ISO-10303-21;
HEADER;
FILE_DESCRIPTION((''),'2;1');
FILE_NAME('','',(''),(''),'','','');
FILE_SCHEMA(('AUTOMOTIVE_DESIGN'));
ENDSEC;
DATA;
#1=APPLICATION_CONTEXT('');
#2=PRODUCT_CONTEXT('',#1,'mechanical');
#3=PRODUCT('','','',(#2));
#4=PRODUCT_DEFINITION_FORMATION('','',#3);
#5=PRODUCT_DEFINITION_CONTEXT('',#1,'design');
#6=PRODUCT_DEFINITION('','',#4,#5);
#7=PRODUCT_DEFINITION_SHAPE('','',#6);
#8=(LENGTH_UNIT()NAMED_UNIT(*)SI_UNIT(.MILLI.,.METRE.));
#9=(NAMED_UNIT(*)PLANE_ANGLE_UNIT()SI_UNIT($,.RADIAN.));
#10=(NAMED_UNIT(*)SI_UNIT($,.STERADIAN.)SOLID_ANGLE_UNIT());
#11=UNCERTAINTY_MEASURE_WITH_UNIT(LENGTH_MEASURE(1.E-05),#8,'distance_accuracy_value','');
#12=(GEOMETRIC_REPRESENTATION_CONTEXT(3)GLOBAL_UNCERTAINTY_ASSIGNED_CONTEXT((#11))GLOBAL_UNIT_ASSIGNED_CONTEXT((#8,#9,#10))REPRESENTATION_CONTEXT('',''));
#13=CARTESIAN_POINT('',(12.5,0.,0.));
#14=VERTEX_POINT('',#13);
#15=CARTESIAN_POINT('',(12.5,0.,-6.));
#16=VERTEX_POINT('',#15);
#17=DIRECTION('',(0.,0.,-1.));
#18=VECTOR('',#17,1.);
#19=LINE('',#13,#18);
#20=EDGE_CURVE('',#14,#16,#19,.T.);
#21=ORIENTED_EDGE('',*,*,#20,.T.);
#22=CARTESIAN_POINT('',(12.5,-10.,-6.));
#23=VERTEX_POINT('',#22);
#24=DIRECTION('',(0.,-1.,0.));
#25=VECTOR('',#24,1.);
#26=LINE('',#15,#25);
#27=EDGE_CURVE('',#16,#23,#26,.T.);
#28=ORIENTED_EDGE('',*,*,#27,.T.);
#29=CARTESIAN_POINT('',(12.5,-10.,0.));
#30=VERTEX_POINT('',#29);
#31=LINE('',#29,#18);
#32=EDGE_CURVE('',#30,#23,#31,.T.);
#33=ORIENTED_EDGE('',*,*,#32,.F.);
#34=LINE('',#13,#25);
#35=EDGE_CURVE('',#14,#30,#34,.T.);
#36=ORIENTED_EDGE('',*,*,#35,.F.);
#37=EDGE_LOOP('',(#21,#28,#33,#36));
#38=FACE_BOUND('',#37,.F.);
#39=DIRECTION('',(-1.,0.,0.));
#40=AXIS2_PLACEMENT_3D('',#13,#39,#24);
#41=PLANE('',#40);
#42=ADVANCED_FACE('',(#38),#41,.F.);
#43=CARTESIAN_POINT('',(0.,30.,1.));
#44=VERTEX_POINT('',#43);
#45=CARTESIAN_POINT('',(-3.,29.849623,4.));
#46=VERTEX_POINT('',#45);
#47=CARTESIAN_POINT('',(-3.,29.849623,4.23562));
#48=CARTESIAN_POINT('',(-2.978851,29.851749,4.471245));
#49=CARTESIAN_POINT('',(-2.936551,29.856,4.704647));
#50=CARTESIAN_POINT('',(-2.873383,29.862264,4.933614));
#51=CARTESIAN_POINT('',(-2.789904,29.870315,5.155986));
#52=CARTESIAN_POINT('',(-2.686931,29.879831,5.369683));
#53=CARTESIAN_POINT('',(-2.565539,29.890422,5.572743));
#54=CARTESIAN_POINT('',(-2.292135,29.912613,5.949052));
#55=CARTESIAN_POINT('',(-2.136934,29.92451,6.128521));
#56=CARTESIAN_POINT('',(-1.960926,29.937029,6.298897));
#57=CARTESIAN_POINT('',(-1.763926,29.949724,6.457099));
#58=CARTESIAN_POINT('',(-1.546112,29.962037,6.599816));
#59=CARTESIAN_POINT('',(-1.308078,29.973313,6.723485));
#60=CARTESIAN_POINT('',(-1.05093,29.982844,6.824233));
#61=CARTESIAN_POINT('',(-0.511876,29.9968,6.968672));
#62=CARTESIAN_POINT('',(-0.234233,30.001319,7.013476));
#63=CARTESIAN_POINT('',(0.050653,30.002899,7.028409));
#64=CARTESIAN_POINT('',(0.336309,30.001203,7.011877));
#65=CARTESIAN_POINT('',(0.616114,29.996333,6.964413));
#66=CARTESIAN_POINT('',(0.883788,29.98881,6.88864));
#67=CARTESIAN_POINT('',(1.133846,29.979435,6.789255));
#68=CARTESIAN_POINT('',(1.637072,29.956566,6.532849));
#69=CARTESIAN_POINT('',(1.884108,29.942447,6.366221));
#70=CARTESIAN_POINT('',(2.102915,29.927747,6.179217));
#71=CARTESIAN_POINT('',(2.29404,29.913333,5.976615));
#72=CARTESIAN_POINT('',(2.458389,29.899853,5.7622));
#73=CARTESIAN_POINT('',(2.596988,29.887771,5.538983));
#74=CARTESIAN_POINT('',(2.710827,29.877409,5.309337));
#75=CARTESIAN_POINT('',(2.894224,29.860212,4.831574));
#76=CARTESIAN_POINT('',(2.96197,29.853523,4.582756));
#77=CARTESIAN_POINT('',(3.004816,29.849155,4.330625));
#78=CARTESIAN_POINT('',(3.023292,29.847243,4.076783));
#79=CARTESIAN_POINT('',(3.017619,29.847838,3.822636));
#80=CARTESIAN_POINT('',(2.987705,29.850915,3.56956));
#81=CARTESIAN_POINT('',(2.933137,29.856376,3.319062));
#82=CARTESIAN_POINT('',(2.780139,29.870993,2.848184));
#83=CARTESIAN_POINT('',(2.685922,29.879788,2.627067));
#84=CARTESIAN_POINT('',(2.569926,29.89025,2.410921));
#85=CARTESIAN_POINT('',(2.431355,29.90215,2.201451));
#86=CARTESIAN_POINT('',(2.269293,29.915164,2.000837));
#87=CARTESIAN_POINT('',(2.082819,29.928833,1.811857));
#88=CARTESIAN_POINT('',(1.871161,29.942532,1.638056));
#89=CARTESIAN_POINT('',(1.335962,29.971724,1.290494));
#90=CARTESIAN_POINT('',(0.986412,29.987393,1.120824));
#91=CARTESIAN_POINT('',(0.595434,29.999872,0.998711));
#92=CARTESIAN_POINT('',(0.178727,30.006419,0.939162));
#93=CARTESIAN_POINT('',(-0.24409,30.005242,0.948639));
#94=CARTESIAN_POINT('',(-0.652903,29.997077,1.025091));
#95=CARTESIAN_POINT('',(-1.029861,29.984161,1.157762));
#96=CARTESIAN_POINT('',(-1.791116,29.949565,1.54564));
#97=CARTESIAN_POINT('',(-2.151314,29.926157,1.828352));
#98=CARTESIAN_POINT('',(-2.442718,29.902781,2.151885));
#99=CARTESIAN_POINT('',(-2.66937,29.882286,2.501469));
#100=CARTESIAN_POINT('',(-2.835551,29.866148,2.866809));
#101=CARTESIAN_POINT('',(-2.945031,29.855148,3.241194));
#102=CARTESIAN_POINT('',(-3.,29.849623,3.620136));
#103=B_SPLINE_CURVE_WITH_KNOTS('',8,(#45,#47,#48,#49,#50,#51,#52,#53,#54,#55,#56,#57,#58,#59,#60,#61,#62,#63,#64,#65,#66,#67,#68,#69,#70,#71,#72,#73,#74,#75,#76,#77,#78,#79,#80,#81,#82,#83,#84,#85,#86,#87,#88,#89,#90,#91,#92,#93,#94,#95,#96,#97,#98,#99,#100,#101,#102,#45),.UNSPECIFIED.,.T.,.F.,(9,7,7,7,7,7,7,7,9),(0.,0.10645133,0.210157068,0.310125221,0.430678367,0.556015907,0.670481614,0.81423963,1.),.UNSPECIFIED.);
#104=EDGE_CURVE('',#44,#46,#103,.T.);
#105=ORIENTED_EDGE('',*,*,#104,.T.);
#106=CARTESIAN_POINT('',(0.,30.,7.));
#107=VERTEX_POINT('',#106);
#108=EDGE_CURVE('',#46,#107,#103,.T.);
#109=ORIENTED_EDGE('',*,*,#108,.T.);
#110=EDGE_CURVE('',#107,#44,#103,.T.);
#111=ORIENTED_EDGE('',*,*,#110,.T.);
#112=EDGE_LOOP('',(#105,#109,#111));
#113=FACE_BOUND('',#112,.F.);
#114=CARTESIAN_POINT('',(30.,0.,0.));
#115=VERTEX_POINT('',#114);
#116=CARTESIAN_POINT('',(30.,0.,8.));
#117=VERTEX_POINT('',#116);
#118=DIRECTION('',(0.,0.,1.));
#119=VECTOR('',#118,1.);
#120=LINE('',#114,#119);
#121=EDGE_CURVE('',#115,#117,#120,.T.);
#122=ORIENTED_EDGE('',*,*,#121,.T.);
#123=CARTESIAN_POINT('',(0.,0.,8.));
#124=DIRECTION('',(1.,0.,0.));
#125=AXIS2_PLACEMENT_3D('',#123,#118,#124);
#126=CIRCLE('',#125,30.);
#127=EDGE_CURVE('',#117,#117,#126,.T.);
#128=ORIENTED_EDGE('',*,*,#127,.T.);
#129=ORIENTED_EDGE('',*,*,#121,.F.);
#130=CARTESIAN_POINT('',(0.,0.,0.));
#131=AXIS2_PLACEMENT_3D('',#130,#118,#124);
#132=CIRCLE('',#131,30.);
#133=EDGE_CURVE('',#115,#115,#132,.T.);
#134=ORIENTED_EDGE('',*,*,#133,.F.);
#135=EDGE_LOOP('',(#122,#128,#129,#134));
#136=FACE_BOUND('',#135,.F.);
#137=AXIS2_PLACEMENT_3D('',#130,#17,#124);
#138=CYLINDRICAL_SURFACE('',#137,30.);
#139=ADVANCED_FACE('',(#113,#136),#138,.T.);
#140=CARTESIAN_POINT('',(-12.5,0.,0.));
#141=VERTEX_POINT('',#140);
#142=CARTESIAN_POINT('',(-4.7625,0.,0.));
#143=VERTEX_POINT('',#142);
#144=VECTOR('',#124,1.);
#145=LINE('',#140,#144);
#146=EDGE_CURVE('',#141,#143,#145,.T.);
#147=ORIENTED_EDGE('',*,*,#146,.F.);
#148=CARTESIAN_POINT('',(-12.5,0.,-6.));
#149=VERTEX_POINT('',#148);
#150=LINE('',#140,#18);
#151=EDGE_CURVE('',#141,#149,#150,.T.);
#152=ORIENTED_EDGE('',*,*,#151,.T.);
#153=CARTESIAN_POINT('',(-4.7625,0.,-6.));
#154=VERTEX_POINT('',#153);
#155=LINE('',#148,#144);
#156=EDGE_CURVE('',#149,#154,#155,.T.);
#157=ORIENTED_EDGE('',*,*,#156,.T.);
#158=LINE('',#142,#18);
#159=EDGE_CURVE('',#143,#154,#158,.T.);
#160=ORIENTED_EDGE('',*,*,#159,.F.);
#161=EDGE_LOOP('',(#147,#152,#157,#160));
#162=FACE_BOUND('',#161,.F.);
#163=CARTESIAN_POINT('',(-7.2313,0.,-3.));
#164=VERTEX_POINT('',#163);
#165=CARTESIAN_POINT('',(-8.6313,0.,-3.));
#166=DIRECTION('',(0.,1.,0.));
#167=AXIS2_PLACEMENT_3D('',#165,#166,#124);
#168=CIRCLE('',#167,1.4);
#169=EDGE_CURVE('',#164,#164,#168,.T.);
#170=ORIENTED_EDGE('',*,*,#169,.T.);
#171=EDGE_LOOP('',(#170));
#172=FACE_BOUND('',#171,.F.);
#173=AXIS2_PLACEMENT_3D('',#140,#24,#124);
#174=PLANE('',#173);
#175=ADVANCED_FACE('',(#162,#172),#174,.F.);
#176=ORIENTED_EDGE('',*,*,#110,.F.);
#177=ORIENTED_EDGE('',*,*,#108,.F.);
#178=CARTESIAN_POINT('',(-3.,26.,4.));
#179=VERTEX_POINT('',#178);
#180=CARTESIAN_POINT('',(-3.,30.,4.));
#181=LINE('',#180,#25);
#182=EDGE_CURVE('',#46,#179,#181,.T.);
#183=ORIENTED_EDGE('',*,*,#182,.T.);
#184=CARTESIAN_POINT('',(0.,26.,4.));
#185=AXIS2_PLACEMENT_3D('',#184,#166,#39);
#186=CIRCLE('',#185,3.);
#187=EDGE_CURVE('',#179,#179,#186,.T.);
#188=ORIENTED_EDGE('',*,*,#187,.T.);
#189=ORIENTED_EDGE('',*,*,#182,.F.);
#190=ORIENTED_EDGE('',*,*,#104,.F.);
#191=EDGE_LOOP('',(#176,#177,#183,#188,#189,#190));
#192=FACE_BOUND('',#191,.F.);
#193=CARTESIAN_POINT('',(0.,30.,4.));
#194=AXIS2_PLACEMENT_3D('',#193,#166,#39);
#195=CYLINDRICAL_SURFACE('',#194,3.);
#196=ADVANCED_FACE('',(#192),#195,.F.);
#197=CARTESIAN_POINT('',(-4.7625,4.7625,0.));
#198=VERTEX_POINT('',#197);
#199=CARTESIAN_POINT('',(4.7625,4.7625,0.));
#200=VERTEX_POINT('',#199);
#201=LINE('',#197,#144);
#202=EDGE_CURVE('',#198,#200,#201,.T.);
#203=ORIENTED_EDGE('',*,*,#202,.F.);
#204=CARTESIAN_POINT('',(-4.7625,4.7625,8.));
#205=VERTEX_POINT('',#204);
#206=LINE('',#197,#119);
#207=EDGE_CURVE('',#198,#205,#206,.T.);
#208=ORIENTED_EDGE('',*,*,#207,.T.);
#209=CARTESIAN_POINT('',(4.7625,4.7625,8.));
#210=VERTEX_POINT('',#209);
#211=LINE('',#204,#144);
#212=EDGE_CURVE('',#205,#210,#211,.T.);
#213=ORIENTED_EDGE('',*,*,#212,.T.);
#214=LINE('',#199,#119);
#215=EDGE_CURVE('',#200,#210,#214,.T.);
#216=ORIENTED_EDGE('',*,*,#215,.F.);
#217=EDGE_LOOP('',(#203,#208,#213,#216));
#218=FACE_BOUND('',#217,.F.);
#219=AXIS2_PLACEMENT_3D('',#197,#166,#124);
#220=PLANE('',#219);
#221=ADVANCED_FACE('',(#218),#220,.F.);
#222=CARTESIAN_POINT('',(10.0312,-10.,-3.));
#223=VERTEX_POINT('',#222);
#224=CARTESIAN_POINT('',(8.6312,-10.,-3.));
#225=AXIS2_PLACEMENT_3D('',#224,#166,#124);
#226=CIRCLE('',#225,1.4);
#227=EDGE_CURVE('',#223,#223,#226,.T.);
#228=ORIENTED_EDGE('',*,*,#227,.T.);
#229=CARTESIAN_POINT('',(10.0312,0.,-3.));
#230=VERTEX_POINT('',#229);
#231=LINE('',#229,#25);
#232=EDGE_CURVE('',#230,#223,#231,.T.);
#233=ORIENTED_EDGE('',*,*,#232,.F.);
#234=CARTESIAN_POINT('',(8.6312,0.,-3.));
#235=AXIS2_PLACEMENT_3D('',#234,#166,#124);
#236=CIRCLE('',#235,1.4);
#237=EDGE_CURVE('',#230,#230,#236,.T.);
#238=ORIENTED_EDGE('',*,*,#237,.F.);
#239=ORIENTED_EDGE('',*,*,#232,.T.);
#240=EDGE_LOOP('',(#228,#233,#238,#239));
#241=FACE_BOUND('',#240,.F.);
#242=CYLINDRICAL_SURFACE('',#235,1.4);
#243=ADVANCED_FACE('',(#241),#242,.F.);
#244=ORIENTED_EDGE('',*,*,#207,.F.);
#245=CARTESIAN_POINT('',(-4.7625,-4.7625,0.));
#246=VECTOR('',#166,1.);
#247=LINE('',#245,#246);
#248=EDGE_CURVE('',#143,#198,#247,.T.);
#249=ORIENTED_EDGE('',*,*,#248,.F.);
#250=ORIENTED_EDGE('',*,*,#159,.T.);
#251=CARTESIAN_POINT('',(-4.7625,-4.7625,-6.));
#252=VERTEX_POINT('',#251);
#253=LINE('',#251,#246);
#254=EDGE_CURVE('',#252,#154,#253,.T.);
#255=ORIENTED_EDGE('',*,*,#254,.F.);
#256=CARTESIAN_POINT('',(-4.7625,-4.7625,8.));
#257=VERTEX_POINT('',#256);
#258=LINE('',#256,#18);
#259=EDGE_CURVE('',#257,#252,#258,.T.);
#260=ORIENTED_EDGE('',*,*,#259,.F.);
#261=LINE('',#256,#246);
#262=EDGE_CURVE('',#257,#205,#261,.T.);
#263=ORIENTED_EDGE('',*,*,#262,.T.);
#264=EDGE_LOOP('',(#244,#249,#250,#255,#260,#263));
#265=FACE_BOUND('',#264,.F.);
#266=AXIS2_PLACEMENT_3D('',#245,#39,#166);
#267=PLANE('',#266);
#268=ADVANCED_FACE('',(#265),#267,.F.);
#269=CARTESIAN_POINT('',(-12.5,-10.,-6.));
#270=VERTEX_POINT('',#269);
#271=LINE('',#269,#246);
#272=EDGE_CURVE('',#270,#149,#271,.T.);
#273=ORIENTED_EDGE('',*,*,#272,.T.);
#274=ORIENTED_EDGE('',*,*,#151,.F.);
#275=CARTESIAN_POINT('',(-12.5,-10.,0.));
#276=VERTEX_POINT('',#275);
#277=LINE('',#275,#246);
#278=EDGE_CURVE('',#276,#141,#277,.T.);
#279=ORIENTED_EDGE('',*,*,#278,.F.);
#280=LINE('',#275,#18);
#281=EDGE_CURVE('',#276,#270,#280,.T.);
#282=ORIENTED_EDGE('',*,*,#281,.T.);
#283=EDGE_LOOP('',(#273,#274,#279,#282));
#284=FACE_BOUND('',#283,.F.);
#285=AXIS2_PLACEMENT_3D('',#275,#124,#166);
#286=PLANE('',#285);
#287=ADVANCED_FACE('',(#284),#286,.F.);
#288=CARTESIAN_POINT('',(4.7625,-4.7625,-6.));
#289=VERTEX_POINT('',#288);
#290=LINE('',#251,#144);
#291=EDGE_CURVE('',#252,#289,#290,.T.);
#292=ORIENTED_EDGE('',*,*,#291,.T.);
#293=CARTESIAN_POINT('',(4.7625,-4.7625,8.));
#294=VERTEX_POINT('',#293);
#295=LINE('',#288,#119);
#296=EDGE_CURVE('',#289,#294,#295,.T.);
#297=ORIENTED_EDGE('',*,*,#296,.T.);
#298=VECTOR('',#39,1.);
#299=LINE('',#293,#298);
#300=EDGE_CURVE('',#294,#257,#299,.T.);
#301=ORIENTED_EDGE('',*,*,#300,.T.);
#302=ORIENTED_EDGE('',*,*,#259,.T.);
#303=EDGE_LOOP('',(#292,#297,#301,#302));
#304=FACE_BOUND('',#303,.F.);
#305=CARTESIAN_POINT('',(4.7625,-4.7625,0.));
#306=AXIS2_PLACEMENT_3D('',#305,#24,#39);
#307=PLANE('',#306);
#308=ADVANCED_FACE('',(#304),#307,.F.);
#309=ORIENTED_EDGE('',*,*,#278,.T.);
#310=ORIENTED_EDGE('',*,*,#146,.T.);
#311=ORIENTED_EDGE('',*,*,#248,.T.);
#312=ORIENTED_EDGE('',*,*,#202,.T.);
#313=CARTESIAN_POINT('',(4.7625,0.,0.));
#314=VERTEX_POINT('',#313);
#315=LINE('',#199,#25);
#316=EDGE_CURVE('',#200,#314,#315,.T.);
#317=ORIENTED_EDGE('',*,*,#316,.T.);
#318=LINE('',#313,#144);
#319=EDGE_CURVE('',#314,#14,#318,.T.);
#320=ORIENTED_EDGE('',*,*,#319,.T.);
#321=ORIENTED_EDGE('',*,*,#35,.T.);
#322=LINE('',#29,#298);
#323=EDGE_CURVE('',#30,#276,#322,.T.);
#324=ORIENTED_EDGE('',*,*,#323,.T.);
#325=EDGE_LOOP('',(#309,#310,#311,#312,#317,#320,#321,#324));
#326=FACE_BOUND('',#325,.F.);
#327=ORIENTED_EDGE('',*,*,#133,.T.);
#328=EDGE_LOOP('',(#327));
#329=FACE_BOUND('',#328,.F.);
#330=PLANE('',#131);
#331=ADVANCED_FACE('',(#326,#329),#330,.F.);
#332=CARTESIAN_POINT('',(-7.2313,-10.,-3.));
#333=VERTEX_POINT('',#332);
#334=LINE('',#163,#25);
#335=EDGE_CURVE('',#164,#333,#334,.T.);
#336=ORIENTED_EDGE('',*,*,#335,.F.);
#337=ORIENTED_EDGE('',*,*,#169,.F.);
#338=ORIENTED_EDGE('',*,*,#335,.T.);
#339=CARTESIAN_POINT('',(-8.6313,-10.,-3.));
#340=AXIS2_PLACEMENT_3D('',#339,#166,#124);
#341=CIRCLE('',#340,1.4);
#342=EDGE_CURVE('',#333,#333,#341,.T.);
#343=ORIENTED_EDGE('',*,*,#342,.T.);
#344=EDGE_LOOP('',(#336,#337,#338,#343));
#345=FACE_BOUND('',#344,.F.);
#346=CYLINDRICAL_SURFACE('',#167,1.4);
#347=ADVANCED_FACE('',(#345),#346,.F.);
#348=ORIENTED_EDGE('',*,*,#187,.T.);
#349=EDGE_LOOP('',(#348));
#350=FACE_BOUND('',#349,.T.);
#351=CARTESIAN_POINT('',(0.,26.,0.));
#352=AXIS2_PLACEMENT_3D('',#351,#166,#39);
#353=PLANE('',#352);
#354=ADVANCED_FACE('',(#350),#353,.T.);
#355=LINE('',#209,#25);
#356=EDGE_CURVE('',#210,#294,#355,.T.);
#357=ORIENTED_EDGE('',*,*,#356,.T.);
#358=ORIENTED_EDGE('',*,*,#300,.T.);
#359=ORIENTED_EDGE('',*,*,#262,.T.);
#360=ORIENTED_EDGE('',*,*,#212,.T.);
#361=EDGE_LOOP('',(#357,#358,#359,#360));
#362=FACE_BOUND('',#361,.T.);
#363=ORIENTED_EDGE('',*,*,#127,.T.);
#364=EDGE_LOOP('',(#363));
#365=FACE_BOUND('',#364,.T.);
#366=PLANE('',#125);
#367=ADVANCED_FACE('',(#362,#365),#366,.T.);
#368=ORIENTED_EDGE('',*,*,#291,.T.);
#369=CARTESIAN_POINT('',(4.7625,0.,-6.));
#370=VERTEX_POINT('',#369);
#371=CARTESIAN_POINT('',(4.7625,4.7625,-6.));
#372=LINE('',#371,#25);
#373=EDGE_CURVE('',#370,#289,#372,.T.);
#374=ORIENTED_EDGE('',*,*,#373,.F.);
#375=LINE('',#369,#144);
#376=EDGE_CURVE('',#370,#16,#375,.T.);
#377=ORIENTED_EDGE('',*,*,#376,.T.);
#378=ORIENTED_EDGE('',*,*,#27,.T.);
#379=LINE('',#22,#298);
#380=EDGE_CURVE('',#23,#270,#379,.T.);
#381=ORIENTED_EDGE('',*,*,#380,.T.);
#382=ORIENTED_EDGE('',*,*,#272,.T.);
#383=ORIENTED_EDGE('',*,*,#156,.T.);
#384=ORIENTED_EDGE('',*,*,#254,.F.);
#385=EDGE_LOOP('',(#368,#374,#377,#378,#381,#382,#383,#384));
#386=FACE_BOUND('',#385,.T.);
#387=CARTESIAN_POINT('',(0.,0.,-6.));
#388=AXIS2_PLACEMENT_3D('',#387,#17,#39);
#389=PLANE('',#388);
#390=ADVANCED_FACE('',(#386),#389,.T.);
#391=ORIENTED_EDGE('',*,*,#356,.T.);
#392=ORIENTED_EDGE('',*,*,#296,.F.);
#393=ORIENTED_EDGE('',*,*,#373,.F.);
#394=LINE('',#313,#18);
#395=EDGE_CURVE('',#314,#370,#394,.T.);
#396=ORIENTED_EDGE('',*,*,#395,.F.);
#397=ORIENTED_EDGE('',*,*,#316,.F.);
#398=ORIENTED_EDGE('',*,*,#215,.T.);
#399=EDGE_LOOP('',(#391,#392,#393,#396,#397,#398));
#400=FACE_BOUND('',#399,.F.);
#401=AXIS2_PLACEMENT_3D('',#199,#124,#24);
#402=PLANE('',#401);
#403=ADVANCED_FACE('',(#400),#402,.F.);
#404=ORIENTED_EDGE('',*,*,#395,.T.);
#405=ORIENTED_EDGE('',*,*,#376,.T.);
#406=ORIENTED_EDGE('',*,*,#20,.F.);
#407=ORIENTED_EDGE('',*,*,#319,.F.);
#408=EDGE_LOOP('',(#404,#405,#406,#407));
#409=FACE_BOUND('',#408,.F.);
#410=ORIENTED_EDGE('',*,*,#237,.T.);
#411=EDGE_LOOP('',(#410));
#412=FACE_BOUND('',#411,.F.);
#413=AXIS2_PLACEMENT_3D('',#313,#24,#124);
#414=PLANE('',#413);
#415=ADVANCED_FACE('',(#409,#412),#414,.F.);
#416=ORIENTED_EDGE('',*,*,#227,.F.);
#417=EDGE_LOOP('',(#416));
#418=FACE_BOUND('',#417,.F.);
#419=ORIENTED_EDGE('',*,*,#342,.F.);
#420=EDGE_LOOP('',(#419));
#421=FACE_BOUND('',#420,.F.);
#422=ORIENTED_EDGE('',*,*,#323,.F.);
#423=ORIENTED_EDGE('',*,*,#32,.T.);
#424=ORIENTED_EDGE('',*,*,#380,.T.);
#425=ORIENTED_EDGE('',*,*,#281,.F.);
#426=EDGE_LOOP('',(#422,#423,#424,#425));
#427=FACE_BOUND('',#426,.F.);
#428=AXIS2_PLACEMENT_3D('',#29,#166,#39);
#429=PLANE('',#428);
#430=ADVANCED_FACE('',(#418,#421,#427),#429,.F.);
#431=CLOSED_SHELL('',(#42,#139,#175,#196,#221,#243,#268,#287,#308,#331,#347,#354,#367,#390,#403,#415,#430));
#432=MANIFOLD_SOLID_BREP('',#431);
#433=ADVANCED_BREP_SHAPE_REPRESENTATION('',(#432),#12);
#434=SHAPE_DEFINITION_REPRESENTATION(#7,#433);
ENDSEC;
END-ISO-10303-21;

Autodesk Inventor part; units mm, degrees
ref_plane "YZ Plane" through (0, 0, 0) normal (1, 0, 0) x (0, 1, 0)
ref_plane "XZ Plane" through (0, 0, 0) normal (0, 1, 0) x (-1, 0, 0)
sketch "Sketch1" plane through (0, 0, 0) normal (0, 0, 1) x (1, 0, 0)
  circle A0 centre (0, 0) radius 30
  line L0 (4.7625, -4.7625) -> (-4.7625, -4.7625)
  line L1 (-4.7625, -4.7625) -> (-4.7625, 4.7625)
  line L2 (-4.7625, 4.7625) -> (4.7625, 4.7625)
  line L3 (4.7625, 4.7625) -> (4.7625, -4.7625)
  line L4 (4.7625, -4.7625) -> (-4.7625, 4.7625) construction
  line L5 (-4.7625, -4.7625) -> (4.7625, 4.7625) construction
  dimension "d0" = 60
  dimension "d15" = 9.525
extrude "Extrusion1" add sketch "Sketch1" along normal blind 8
sketch "Sketch2" plane through (0, 0, 8) normal (0, 0, 1) x (1, 0, 0)
  circle A0 centre (0, 0) radius 30 projected
  line L0 (0, 0) -> (0, 25) construction
  circle A1 centre (0, 25) radius 3
  dimension "d4" = 6
  dimension "d5" = 25
extrude "Extrusion2" [suppressed]
sketch "Sketch3" plane through (0, 0, 0) normal (0, 0, -1) x (-1, 0, 0)
  line L0 (-4.7625, 0) -> (-12.5, 0)
  line L1 (-12.5, 0) -> (-12.5, -10)
  line L2 (-12.5, -10) -> (12.5, -10)
  line L3 (12.5, -10) -> (12.5, 0)
  line L4 (12.5, 0) -> (4.7625, 0)
  line L5 (4.7625, 4.7625) -> (4.7625, -4.7625) construction
  line L6 (-4.7625, -4.7625) -> (-4.7625, 4.7625) construction
  line L7 (4.7625, -4.7625) -> (-4.7625, -4.7625) construction
  line L8 (4.7625, -4.7625) -> (4.7625, 4.7625) projected
  line L9 (4.7625, 0) -> (4.7625, -4.7625)
  line L10 (4.7625, -4.7625) -> (-4.7625, -4.7625)
  line L11 (-4.7625, 4.7625) -> (-4.7625, -4.7625) projected
  line L12 (-4.7625, -4.7625) -> (-4.7625, 0)
  dimension "d8" = 10
  dimension "d9" = 25
extrude "Extrusion3" add sketch "Sketch3" along normal blind 6
sketch "Sketch4" plane through (-12.5, 0, 0) normal (0, 1, 0) x (1, 0, 0)
  line L0 (21.1313, 6) -> (21.1313, 0) construction
  line L1 (3.8687, 6) -> (3.8687, 0) construction
  circle A0 centre (21.1312, 3) radius 1.4
  circle A1 centre (3.8687, 3) radius 1.4
  line L2 (7.7375, 0) -> (0, 0) construction
  line L3 (7.7375, 0) -> (7.7375, 6) construction
  line L4 (0, 6) -> (7.7375, 6) construction
  line L5 (0, 0) -> (0, 6) construction
  line L6 (25, 0) -> (17.2625, 0) construction
  line L7 (25, 0) -> (25, 6) construction
  line L8 (17.2625, 6) -> (25, 6) construction
  line L9 (17.2625, 0) -> (17.2625, 6) construction
  line L10 (0, 6) -> (7.7375, 6) construction
  line L11 (7.7375, 0) -> (0, 0) construction
  line L12 (17.2625, 6) -> (25, 6) construction
  dimension "d12" = 2.8
extrude "Extrusion4" cut sketch "Sketch4" against normal through all
ref_plane "Work Plane1" through (0, 30, 0) normal (0, 1, 0) x (-1, 0, 0)
sketch "Sketch5" plane through (0, 30, 0) normal (0, 1, 0) x (-1, 0, 0)
  line L0 (30, 8) -> (-30, 8) construction
  line L1 (-30, 0) -> (30, 0) construction
  line L2 (30, 8) -> (-30, 8) construction
  line L3 (0, 8) -> (0, 0) construction
  circle A0 centre (0, 4) radius 3
  dimension "d16" = 6
extrude "Extrusion5" cut sketch "Sketch5" against normal blind 4
properties part number "sensor wheel"
